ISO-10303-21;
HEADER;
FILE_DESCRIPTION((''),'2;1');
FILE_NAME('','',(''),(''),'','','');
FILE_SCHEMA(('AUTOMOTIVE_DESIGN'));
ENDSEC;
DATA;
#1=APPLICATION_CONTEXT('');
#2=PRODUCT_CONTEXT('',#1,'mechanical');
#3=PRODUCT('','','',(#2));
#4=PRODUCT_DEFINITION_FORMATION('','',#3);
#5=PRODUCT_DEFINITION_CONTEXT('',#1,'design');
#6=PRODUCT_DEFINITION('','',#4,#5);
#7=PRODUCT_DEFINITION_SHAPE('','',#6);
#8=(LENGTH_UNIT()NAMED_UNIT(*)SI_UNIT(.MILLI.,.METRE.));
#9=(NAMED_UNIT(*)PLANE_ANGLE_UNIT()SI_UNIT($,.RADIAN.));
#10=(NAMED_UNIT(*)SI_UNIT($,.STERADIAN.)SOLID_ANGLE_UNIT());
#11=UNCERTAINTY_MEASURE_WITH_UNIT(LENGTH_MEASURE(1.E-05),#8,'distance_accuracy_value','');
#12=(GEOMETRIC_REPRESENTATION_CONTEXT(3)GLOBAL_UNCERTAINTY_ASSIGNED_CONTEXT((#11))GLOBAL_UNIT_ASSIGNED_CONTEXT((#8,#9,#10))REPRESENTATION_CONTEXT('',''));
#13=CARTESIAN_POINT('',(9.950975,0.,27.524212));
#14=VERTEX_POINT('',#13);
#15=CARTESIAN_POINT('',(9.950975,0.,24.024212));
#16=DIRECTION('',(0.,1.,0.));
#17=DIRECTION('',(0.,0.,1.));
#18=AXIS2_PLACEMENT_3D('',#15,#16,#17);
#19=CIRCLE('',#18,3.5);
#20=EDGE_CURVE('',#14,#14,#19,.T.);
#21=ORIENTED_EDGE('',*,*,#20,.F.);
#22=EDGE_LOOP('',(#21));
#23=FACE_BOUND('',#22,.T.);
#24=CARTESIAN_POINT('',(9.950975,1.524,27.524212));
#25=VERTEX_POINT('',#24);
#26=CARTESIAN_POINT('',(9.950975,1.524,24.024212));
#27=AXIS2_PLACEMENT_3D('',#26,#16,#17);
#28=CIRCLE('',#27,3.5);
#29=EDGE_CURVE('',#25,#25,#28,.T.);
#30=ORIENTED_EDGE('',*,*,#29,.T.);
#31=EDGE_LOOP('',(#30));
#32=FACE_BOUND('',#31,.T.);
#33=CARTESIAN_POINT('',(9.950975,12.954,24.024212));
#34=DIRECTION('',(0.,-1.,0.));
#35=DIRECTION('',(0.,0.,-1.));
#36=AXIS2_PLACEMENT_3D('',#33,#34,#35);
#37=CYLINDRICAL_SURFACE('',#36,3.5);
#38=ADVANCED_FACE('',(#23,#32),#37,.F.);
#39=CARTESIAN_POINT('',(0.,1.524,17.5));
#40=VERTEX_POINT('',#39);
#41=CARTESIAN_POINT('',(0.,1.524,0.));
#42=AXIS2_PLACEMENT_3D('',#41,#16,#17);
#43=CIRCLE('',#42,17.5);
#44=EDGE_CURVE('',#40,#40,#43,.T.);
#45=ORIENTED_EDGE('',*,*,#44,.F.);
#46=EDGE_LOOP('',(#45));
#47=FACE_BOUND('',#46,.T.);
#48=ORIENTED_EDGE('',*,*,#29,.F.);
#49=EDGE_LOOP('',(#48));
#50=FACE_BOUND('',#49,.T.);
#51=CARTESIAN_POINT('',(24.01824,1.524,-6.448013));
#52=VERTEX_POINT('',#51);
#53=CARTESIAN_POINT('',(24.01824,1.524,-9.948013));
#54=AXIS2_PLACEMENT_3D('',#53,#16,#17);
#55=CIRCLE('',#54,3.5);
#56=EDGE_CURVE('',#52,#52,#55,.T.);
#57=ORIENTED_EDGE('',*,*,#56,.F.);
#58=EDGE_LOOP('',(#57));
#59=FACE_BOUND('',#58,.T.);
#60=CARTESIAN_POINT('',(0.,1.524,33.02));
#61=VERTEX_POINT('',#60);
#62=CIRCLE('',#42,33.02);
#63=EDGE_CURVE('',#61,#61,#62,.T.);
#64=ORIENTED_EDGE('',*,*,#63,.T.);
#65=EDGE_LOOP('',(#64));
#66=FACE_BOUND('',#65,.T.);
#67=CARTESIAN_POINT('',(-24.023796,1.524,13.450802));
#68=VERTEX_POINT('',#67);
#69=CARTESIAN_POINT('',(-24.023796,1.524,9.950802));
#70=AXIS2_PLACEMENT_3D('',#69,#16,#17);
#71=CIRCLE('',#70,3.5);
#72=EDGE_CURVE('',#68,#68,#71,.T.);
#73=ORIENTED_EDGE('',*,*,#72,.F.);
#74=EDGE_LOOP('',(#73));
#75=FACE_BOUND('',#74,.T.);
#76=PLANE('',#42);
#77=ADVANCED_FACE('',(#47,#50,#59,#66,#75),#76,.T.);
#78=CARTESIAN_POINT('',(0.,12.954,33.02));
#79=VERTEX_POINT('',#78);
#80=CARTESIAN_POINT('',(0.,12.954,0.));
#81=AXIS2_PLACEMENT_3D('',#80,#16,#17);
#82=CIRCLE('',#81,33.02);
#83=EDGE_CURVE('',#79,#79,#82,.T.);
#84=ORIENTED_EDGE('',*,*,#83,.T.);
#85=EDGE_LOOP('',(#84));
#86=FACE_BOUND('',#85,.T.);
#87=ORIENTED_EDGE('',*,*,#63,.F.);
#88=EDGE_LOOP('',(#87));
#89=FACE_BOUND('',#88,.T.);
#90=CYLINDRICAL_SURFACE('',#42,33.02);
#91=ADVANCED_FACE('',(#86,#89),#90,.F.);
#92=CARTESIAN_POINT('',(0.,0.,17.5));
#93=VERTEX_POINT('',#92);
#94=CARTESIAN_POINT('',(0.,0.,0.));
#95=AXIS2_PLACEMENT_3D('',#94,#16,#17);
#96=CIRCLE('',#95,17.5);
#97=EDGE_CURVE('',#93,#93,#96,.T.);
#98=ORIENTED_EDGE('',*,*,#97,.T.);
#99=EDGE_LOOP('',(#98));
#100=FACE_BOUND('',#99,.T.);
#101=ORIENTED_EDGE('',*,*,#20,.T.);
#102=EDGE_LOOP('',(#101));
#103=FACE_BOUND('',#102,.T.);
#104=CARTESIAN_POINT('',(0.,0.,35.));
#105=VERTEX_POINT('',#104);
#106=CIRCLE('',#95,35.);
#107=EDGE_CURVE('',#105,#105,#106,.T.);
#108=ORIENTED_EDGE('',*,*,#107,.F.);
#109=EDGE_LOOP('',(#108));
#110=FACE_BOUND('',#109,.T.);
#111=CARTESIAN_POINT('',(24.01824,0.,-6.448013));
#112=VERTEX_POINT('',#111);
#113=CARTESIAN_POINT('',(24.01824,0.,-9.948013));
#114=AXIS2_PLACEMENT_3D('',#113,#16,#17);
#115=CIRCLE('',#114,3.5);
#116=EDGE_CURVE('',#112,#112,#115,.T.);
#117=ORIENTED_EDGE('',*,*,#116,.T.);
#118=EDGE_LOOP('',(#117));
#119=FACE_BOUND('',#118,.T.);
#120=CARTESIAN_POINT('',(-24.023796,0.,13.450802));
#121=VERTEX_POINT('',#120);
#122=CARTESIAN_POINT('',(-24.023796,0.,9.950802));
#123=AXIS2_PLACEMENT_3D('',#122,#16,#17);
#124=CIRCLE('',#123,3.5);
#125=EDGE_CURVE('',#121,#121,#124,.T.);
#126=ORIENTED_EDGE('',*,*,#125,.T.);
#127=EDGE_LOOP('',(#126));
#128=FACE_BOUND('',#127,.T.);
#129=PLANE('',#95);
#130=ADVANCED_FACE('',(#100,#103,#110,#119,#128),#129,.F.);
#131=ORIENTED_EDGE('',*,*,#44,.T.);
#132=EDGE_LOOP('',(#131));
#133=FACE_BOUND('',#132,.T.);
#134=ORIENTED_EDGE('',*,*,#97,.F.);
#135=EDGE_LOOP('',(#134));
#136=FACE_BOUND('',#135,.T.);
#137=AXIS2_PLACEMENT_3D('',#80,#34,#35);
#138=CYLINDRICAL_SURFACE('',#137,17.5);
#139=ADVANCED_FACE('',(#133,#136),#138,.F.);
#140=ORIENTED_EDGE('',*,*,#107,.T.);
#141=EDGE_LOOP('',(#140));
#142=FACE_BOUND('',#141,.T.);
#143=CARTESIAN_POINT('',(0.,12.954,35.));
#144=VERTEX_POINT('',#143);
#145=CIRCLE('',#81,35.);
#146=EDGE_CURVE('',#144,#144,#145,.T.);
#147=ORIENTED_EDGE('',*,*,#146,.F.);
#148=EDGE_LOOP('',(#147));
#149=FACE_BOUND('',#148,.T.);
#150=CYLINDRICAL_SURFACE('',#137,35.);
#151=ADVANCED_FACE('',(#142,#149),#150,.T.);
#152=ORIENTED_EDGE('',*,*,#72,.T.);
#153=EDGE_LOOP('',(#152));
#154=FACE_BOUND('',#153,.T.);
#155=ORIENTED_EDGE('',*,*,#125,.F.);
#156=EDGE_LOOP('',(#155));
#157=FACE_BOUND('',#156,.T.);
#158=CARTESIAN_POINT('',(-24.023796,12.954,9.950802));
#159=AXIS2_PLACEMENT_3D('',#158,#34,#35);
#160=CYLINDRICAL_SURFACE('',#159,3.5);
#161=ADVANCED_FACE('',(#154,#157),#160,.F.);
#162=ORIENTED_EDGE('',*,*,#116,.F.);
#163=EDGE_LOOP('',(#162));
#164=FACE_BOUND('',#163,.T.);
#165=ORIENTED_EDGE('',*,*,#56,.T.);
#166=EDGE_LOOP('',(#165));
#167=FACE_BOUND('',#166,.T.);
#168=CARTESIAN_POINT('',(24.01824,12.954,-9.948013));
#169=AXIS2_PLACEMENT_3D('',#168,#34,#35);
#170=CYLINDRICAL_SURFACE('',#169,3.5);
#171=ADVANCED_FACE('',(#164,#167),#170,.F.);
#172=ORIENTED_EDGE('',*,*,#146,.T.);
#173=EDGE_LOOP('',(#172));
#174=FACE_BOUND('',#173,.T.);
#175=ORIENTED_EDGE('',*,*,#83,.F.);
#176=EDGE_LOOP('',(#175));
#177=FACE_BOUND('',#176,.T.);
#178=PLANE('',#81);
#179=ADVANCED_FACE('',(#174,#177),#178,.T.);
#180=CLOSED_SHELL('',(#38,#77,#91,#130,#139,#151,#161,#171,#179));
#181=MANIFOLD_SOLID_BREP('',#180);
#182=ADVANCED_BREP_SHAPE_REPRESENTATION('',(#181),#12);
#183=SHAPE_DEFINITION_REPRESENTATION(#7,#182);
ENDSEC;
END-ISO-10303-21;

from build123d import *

# Parameters (mm, degrees)
SKETCH1_R           = 35
SKETCH1_R_2         = 17.5
SKETCH1_R_3         = 3.5
BOSS_EXTRUDE1_DEPTH = 12.954
SKETCH2_R           = 33.02
CUT_EXTRUDE1_DEPTH  = 11.43


with BuildPart() as part:
    # Sketch1 → Boss-Extrude1 (new body)
    with BuildSketch(Plane(origin=(0, 0, 0), x_dir=(1, 0, 0), z_dir=(0, 1, 0))):
        Circle(SKETCH1_R)
        Circle(SKETCH1_R_2, mode=Mode.SUBTRACT)
        with Locations((-24.023795501, -9.950801949)):
            Circle(SKETCH1_R_3, mode=Mode.SUBTRACT)
        with Locations((24.018239985, 9.948012748)):
            Circle(SKETCH1_R_3, mode=Mode.SUBTRACT)
        with Locations((9.950974523, -24.02421215)):
            Circle(SKETCH1_R_3, mode=Mode.SUBTRACT)
    extrude(amount=BOSS_EXTRUDE1_DEPTH)

    # Sketch2 → Cut-Extrude1 (cut)
    with BuildSketch(Plane(origin=(0, 12.954, 0), x_dir=(1, 0, 0), z_dir=(0, 1, 0))):
        Circle(SKETCH2_R)
    extrude(amount=-CUT_EXTRUDE1_DEPTH, mode=Mode.SUBTRACT)


solid = part.part
